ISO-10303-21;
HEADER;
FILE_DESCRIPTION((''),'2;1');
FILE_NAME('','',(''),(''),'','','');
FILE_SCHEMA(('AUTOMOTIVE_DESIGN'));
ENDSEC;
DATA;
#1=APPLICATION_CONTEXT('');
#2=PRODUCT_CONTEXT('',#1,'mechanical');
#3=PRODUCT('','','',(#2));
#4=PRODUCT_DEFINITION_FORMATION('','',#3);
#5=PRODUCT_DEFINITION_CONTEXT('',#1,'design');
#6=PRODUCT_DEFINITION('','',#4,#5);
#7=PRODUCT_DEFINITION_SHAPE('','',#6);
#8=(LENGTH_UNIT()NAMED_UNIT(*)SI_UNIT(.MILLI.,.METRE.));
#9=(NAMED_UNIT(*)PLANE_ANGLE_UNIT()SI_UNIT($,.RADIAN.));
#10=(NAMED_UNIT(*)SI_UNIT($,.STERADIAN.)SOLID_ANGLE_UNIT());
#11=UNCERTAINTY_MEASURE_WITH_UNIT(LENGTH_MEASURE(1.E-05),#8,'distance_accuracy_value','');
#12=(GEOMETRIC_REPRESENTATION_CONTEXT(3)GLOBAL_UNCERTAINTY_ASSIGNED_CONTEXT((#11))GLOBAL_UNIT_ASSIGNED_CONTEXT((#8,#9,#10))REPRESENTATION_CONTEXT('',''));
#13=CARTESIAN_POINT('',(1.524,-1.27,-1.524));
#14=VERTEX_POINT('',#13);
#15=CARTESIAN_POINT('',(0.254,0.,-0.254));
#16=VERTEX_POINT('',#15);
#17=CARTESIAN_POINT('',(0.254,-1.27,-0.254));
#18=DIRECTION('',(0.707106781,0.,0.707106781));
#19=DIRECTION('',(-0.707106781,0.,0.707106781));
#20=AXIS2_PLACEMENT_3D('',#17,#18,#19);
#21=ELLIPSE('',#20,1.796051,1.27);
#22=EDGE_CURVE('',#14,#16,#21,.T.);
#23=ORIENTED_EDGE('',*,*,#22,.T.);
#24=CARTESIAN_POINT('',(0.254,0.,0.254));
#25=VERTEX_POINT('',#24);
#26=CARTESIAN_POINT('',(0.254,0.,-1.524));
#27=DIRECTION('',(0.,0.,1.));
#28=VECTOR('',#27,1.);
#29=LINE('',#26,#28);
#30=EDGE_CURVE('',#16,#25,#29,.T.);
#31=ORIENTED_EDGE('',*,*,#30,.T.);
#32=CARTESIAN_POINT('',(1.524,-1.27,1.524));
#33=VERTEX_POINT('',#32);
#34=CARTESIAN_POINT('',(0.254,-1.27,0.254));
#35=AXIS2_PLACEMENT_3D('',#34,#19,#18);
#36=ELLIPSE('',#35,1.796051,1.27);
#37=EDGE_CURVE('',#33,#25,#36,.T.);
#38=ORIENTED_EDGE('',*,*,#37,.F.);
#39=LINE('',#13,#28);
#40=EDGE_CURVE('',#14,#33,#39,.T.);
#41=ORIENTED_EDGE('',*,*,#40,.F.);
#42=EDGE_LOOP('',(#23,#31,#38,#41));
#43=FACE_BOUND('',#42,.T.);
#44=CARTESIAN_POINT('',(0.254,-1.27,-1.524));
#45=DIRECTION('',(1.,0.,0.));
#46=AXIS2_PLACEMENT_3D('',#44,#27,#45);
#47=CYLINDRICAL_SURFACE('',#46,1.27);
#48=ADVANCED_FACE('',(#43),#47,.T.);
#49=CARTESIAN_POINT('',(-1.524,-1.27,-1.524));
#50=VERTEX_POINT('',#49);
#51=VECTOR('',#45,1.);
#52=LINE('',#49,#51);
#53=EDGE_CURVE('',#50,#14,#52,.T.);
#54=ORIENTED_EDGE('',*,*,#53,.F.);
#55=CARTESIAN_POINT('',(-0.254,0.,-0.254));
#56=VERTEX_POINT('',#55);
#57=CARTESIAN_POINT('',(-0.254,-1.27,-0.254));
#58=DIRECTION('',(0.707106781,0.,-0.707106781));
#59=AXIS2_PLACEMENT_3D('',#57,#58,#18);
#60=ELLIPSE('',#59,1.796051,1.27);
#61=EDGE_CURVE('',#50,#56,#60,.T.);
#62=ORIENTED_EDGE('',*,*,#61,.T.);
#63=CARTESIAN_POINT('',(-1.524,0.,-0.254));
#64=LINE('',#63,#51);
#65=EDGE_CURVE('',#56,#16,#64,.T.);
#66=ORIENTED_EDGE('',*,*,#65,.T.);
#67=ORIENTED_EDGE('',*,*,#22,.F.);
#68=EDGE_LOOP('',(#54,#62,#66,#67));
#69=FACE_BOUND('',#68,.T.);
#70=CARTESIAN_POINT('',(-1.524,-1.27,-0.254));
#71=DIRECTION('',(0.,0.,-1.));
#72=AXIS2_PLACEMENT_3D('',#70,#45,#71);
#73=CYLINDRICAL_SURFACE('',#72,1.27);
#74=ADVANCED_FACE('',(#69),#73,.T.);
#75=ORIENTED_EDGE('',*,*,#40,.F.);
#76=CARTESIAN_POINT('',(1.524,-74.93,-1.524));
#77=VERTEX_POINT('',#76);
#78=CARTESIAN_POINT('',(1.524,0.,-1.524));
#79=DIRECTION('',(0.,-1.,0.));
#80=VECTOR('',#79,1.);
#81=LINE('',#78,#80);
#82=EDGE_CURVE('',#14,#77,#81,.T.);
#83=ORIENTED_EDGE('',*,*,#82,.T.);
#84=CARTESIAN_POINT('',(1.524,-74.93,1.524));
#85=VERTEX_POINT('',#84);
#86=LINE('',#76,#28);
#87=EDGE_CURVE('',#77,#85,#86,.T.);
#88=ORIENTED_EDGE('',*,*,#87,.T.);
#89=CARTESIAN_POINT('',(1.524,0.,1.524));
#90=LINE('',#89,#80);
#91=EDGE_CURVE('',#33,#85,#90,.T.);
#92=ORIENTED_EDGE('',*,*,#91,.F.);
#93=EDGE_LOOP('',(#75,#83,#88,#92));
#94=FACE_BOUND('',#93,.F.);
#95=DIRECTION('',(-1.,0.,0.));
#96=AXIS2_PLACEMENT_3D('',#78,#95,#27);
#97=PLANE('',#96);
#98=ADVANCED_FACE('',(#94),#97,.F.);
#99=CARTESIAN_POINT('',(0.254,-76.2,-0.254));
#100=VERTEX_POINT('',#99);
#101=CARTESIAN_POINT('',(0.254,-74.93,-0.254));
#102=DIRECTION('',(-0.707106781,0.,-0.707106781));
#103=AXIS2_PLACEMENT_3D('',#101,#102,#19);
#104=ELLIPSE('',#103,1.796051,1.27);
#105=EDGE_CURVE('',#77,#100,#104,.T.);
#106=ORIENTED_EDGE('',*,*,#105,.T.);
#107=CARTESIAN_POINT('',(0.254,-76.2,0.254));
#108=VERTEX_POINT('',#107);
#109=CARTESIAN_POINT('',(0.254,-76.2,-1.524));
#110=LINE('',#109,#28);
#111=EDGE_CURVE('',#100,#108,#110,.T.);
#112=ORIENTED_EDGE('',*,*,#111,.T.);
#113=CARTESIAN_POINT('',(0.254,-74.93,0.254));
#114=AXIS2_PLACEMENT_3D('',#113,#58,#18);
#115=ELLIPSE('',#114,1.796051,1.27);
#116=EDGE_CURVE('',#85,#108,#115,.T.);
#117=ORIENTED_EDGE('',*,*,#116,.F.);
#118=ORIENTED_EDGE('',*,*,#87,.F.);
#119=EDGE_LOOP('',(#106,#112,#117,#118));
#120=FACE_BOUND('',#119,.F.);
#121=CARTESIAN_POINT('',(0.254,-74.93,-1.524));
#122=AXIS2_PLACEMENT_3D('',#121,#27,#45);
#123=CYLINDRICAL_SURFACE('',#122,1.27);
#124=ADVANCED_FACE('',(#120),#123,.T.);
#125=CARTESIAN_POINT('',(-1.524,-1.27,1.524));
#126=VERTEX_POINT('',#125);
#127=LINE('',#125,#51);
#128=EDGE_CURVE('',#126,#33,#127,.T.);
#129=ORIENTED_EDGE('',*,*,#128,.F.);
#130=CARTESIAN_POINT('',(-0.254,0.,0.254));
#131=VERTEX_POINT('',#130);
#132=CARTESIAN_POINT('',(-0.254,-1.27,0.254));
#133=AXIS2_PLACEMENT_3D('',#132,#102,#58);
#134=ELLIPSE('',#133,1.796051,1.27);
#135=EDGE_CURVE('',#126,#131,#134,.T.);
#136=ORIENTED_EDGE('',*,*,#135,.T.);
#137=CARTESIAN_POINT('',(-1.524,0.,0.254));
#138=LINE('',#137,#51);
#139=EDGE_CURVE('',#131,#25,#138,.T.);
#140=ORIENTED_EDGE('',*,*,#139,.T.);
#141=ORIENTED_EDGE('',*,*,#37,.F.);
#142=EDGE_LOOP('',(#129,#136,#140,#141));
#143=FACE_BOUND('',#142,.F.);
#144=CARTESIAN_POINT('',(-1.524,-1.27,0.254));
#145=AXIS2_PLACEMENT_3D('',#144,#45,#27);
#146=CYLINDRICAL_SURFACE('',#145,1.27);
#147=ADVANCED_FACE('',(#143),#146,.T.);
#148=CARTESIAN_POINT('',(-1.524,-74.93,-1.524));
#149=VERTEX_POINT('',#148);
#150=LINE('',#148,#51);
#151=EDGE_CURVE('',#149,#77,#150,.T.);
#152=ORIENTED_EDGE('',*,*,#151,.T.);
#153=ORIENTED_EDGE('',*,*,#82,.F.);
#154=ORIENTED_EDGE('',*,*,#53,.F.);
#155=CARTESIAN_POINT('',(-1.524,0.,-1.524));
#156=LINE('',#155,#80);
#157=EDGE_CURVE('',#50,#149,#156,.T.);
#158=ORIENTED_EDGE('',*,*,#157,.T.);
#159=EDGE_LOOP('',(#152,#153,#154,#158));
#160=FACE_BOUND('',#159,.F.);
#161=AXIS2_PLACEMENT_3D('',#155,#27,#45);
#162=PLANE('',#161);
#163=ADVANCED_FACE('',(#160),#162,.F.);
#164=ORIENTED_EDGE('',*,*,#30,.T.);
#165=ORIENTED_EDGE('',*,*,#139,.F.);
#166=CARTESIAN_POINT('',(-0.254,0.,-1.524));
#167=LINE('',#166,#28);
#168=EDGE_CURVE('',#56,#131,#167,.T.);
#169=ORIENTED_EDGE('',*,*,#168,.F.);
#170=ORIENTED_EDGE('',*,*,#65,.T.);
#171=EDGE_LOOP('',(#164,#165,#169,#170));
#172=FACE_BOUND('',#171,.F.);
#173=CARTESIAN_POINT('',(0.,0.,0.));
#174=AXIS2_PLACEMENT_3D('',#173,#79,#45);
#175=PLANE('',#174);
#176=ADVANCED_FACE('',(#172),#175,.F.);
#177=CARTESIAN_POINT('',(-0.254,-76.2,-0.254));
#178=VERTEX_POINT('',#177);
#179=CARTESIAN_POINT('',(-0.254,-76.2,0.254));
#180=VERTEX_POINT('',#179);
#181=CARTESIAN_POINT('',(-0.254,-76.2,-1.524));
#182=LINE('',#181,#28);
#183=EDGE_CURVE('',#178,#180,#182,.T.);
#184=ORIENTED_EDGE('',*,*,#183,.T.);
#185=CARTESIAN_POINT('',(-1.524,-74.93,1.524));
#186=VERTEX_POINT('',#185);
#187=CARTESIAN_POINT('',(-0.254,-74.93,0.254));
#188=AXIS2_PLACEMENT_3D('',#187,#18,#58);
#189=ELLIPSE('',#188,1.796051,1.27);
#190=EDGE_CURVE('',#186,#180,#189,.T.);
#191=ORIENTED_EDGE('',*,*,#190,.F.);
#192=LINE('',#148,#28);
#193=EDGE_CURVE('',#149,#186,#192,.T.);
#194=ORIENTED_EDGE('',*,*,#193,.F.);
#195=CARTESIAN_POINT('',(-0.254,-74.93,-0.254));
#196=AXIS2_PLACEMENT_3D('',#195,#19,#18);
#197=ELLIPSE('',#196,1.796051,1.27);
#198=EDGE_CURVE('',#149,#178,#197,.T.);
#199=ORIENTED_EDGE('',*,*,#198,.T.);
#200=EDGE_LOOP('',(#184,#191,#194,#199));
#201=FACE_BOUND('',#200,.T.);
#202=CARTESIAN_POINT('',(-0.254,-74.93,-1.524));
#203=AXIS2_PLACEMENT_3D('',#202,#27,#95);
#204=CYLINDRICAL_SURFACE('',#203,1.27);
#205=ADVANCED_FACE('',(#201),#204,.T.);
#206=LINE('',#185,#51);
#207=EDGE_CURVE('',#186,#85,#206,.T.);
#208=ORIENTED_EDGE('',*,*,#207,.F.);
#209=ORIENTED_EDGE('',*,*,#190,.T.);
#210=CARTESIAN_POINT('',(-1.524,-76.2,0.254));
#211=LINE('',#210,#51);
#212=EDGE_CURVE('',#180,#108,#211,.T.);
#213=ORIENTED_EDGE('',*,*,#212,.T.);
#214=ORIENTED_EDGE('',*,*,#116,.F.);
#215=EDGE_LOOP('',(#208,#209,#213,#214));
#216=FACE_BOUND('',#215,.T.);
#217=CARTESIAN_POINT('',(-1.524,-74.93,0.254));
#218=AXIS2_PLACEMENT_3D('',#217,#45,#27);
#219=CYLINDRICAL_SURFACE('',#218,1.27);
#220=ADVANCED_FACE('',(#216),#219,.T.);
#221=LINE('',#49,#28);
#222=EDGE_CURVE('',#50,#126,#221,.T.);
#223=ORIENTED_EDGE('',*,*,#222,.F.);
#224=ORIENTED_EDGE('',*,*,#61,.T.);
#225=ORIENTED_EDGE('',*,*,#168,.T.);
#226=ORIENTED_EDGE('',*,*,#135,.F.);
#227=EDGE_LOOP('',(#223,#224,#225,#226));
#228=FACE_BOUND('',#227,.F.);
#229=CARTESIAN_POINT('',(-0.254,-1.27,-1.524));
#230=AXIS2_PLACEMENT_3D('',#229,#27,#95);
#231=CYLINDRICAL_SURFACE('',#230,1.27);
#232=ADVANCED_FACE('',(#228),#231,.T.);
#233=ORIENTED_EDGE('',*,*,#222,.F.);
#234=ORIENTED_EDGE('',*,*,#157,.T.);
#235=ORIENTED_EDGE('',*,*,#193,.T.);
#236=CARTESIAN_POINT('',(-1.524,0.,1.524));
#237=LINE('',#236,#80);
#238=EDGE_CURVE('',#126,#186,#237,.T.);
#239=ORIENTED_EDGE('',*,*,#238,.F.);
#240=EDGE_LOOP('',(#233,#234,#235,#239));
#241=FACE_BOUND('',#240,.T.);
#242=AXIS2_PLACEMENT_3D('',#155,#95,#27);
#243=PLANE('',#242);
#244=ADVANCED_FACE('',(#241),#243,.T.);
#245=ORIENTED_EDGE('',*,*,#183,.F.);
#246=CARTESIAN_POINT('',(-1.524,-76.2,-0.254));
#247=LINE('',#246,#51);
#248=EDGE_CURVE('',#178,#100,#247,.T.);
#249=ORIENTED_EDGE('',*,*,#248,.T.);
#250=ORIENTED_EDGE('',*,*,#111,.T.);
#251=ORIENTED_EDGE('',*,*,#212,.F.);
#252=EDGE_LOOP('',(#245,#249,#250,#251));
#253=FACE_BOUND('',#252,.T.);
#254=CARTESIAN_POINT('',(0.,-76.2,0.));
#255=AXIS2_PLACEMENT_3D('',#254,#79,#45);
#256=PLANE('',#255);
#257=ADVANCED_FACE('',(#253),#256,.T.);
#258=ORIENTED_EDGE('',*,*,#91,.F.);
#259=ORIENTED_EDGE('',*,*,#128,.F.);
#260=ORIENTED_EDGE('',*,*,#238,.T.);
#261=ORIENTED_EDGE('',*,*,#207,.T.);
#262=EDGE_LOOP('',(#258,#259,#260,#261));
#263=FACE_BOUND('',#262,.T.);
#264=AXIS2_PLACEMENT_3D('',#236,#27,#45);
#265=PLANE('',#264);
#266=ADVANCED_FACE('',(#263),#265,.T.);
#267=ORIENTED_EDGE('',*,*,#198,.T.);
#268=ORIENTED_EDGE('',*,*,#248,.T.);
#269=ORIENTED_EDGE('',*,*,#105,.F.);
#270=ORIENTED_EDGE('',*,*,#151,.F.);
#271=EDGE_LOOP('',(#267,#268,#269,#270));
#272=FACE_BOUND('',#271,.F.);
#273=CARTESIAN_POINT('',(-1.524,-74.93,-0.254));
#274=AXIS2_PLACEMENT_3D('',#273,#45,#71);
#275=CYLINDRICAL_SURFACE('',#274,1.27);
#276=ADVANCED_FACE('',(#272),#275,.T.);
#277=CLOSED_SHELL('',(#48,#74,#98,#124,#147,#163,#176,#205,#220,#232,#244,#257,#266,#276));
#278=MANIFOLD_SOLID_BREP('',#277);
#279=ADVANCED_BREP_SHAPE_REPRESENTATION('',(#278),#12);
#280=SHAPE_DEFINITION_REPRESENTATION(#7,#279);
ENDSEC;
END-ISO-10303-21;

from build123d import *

# Parameters (mm, degrees)
F0_W     = 3.048
F0_H     = 3.048
F1_DEPTH = 76.2
F2_R     = 1.27


with BuildPart() as f1:
    # F0 (on Front) → F1 (new body)
    with BuildSketch(Plane.XZ):
        Rectangle(F0_W, F0_H)
    extrude(amount=F1_DEPTH)

    # F2
    f2_edges = [f1.edges().sort_by_distance(p)[0] for p in [
        (0, -76.2, 1.524),
        (1.524, -76.2, 0),
        (-1.524, -76.2, 0),
        (0, -76.2, -1.524),
        (1.524, 0, 0),
        (0, 0, -1.524),
        (0, 0, 1.524),
        (-1.524, 0, 0),
    ]]
    fillet(f2_edges, radius=F2_R)


solid = f1.part
